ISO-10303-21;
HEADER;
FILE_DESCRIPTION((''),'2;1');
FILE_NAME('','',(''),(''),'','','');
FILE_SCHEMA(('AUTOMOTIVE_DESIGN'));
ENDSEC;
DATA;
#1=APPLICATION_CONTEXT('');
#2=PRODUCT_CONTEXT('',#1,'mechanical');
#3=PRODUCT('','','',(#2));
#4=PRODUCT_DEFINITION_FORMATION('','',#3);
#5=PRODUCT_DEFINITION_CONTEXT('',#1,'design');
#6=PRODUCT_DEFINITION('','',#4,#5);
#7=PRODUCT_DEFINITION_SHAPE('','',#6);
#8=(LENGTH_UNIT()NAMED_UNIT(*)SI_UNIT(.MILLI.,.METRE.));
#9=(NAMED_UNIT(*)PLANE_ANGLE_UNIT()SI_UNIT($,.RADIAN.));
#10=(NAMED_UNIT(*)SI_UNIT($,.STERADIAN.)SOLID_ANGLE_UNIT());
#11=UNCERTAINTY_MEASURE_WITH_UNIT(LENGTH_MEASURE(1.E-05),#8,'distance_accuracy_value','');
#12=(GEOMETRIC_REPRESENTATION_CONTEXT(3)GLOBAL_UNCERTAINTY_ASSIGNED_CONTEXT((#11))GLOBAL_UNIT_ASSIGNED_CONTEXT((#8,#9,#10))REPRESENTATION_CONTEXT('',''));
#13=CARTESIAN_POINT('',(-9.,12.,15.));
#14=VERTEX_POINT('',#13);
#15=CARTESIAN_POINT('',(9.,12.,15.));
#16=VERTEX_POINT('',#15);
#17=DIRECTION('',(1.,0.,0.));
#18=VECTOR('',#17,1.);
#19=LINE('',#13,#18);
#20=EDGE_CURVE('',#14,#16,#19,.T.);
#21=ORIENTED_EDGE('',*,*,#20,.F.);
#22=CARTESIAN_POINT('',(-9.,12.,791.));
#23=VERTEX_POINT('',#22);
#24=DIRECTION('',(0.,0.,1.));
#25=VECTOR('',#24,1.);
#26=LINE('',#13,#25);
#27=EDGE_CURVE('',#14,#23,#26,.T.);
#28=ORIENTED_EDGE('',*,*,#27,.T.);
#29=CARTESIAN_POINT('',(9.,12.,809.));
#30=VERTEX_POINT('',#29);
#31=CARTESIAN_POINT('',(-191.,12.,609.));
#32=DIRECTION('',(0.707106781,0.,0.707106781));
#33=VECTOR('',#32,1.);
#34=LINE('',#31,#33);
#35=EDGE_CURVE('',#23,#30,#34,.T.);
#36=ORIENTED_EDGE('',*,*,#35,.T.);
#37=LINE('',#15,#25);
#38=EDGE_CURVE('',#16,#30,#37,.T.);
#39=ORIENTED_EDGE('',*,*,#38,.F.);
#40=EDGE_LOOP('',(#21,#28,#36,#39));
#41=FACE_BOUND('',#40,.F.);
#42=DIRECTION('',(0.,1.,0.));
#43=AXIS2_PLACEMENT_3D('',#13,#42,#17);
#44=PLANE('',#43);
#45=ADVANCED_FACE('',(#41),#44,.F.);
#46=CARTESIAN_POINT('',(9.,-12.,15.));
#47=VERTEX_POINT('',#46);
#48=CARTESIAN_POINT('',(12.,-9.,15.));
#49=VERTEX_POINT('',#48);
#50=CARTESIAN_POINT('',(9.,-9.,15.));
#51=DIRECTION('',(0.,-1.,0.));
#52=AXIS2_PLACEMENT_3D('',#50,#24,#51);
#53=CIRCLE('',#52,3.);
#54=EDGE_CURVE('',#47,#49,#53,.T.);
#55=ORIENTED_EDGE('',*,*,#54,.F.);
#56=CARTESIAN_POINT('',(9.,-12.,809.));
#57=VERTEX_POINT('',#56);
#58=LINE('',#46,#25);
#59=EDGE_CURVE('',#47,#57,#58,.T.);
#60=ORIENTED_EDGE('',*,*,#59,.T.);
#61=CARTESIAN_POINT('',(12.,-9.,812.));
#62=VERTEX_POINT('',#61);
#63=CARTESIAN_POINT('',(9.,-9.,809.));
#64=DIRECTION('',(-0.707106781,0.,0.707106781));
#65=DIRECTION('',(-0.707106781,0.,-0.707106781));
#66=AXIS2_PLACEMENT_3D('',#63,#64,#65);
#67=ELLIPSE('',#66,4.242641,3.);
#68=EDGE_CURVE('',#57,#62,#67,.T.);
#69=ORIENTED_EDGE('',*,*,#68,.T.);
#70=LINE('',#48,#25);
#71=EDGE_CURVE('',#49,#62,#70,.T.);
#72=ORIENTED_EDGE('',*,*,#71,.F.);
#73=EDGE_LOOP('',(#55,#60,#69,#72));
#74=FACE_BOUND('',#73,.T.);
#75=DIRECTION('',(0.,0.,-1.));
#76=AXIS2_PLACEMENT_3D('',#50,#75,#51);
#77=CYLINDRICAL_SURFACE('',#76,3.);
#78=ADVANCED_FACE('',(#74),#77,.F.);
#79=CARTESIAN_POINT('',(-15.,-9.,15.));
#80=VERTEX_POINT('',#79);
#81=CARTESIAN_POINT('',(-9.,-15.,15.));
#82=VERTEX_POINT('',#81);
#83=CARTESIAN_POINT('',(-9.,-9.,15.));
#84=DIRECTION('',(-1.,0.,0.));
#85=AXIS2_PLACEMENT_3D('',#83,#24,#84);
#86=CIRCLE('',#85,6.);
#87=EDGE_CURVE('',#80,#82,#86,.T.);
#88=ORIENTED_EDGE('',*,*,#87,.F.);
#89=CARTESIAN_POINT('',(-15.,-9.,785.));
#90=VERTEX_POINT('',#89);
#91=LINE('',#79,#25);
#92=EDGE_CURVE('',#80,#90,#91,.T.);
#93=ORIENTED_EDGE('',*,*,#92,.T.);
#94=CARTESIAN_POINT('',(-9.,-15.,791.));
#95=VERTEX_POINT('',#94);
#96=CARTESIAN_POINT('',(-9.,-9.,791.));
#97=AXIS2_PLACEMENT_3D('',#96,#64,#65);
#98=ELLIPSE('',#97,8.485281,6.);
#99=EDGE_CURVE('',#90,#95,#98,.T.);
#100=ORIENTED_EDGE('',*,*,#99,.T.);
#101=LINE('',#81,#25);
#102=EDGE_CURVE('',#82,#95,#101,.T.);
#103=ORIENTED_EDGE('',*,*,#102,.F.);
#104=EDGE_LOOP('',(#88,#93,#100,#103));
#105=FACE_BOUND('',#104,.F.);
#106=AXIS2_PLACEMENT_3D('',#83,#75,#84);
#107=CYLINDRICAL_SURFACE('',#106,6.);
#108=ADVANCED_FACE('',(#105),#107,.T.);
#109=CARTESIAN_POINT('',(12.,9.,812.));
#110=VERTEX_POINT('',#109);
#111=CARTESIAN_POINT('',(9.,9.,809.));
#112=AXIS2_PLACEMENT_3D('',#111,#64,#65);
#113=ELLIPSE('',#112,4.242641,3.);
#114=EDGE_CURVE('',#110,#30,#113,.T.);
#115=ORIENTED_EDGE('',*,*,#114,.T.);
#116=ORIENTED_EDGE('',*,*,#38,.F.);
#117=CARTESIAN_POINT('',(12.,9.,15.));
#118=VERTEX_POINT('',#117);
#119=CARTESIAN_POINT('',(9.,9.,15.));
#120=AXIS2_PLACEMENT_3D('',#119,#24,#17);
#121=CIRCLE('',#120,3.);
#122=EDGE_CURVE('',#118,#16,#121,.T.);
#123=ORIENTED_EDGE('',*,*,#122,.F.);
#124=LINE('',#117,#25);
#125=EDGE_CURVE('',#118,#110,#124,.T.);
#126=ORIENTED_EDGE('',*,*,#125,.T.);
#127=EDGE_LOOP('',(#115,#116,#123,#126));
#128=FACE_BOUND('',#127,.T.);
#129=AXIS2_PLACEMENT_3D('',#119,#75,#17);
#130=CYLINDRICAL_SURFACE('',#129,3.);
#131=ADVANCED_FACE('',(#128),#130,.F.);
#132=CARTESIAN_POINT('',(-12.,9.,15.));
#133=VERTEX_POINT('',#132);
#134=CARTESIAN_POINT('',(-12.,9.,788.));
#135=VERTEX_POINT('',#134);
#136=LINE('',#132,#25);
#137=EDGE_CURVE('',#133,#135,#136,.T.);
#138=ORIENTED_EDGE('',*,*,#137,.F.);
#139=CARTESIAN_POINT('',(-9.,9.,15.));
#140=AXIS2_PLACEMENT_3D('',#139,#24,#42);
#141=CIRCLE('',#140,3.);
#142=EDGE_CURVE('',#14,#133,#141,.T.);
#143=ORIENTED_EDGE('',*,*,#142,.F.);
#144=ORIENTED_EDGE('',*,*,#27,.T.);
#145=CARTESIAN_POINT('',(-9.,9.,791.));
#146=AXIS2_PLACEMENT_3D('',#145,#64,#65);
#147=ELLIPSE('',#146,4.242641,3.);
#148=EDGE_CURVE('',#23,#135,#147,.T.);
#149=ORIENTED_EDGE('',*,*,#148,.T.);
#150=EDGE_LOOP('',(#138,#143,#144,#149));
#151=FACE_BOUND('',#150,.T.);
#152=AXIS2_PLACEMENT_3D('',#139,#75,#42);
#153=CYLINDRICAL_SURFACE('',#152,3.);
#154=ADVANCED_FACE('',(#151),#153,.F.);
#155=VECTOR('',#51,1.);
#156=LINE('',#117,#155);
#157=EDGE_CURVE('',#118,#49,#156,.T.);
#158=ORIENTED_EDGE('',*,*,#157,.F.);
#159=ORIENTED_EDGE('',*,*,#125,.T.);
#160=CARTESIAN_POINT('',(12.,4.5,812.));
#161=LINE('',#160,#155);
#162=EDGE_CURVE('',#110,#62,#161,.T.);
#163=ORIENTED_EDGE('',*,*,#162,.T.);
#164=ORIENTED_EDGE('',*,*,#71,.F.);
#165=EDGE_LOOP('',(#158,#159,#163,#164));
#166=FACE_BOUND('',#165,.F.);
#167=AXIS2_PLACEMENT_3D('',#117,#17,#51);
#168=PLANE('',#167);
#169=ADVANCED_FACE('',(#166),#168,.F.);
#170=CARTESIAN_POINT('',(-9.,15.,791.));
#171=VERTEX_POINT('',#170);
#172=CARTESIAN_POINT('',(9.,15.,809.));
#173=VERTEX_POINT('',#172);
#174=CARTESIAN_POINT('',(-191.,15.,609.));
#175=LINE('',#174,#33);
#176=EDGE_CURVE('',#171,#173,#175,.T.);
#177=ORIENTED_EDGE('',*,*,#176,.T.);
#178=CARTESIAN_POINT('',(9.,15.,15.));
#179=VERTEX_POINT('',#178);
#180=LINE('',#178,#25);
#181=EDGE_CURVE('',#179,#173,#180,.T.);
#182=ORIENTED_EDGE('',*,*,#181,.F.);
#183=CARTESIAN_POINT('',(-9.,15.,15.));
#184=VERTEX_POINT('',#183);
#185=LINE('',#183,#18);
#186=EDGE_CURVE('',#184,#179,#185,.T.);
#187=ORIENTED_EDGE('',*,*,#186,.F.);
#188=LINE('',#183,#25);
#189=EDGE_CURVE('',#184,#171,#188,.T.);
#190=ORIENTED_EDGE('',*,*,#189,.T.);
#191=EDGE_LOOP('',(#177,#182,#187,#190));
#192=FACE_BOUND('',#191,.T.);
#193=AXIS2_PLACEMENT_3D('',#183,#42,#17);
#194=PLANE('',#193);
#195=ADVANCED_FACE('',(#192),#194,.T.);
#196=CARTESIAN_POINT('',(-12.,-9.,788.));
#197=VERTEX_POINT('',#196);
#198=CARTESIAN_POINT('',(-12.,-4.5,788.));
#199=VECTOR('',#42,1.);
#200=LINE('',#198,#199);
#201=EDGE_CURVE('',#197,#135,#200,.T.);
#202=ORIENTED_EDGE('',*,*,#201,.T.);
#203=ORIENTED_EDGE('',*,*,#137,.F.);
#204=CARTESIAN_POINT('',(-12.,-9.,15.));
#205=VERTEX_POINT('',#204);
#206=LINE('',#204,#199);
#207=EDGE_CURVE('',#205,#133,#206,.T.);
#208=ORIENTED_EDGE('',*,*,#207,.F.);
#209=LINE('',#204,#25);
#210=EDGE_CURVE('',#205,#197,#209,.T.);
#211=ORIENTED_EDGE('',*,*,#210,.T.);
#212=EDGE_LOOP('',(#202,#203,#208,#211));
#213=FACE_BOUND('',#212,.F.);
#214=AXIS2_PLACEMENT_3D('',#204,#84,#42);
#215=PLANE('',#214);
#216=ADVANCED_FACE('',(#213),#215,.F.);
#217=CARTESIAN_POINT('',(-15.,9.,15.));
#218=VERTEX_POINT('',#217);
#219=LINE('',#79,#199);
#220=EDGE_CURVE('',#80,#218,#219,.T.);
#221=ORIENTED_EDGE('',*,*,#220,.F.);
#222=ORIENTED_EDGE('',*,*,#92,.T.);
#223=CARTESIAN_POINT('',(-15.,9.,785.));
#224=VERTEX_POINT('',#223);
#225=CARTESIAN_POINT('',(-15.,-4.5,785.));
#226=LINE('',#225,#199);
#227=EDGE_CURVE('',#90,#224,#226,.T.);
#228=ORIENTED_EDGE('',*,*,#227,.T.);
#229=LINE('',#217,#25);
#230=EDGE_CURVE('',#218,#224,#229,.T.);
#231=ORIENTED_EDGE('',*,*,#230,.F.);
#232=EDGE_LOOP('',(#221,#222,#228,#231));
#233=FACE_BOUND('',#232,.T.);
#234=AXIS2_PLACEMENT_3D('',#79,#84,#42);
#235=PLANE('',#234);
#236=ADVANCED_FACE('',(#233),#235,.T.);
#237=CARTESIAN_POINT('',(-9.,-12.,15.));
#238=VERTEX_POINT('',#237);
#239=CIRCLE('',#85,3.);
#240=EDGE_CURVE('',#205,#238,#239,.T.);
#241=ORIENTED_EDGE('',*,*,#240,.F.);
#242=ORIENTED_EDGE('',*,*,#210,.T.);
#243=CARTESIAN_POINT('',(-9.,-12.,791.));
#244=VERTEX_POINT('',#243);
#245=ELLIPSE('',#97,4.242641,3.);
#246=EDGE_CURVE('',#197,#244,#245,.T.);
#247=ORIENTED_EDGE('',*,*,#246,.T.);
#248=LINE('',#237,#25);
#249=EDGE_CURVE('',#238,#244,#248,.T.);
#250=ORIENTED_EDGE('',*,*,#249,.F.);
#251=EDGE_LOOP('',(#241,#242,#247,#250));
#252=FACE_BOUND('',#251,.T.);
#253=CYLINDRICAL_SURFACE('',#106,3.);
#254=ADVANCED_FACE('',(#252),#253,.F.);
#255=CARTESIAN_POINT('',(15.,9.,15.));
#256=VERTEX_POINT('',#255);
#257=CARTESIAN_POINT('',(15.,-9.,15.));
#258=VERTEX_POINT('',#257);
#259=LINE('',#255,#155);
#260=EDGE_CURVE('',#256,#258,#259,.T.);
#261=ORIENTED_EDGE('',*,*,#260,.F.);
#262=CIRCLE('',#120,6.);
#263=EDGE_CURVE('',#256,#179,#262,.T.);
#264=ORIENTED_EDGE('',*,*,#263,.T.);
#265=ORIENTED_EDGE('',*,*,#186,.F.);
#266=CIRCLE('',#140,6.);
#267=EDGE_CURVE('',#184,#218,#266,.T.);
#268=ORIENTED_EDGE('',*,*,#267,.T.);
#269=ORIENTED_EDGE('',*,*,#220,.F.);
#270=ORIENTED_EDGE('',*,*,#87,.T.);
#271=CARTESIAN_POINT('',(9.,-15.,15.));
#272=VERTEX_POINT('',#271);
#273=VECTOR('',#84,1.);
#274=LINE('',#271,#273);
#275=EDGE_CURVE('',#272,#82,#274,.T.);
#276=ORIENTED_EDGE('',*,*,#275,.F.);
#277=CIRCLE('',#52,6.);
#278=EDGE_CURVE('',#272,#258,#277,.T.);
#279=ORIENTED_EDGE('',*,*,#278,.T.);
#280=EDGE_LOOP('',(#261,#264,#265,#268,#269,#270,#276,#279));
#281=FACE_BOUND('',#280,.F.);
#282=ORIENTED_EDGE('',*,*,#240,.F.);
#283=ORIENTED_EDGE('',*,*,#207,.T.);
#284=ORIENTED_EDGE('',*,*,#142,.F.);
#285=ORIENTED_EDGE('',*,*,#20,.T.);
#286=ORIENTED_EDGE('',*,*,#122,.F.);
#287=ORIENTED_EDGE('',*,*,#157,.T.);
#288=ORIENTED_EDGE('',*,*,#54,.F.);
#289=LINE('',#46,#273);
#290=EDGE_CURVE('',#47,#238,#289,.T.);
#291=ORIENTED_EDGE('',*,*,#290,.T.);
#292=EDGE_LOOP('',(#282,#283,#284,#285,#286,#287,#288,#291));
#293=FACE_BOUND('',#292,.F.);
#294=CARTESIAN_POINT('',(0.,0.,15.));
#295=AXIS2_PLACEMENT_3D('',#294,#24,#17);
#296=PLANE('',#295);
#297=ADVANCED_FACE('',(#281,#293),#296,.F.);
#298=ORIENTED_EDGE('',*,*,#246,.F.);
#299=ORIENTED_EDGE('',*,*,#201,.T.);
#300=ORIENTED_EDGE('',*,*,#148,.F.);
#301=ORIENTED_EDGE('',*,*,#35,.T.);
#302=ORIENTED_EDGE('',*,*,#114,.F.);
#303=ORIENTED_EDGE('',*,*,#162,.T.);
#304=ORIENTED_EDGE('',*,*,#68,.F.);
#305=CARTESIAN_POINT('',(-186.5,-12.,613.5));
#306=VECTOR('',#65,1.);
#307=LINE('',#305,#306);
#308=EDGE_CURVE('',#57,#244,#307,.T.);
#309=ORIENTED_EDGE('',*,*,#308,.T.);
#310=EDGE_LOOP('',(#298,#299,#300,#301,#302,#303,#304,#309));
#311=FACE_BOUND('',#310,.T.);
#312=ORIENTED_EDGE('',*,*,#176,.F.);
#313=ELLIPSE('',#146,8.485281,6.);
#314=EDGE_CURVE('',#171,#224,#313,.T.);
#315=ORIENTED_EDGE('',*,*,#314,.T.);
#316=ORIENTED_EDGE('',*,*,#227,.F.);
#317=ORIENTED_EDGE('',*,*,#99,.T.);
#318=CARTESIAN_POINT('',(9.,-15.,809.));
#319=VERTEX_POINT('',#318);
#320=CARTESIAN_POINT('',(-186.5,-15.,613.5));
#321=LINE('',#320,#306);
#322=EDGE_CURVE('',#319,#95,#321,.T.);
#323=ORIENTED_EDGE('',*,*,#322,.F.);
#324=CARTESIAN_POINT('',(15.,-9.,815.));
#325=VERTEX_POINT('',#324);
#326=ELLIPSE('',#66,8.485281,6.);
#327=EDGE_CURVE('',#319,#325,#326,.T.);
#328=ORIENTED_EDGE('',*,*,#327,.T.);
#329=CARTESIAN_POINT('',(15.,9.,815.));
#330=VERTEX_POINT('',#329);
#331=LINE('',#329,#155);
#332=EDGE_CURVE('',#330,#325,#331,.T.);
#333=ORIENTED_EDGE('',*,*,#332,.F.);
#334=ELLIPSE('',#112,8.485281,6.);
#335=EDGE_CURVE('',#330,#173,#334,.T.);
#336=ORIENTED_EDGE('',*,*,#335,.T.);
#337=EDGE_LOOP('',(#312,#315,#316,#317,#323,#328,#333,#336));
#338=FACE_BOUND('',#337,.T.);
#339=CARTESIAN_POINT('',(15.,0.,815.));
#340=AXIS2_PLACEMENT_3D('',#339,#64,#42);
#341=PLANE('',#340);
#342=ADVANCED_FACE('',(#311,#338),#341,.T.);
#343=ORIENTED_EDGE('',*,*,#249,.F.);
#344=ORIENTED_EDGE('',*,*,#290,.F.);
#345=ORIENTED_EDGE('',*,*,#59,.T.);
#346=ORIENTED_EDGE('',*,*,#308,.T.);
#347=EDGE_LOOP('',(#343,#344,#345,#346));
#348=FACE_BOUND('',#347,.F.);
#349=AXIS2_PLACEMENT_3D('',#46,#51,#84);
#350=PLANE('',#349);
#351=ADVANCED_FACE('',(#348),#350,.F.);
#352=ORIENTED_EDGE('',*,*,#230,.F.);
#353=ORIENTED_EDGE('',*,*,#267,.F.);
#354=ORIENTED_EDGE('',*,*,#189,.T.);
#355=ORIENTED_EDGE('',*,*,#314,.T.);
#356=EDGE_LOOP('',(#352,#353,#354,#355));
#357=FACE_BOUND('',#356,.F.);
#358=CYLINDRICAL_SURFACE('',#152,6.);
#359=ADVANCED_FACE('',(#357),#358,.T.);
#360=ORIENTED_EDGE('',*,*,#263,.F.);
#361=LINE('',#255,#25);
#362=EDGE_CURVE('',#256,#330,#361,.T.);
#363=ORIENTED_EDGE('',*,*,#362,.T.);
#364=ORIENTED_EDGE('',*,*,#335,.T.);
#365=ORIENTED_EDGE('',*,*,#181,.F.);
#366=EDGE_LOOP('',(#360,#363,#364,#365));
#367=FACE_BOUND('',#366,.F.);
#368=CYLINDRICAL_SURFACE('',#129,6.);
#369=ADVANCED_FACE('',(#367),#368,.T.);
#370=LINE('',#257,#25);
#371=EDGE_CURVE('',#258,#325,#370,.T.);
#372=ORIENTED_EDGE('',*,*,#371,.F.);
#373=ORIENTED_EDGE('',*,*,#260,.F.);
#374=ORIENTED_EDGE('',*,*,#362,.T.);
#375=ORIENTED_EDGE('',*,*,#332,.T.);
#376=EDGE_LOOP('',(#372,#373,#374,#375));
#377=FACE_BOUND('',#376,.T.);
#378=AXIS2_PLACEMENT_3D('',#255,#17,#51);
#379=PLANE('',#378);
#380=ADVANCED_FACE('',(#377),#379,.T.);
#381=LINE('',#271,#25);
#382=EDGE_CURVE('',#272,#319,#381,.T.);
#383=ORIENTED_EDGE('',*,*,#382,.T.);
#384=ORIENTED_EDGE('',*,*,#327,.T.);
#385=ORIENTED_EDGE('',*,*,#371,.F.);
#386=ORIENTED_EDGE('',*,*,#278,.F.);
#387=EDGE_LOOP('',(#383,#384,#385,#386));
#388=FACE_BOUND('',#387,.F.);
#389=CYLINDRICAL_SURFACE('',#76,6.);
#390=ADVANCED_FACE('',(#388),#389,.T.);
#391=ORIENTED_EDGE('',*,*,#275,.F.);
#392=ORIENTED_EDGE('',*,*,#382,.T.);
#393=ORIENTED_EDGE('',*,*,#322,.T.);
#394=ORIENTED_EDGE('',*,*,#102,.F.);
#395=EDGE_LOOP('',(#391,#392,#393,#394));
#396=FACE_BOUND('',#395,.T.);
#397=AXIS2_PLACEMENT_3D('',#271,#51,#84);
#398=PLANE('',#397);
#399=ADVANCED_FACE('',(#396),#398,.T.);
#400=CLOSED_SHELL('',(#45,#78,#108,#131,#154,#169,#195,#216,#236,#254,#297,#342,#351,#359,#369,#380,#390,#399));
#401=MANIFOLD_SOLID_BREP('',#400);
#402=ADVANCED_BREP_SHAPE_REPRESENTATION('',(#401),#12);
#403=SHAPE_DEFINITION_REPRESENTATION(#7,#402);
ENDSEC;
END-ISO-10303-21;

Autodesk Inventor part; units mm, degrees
ref_plane "Start Plane" through (0, 0, 15) normal (0, 0, 1) x (1, 0, 0)
ref_plane "End Plane" through (0, 0, 815) normal (0, 0, 1) x (1, 0, 0)
sketch "Sketch" plane through (0, 0, 0) normal (0, 0, 1) x (1, 0, 0)
  line L0 (-15, -9) -> (-15, 9)
  line L1 (-9, 15) -> (9, 15)
  line L2 (15, 9) -> (15, -9)
  line L3 (9, -15) -> (-9, -15)
  arc A0 (-15, -9) -> (-9, -15) centre (-9, -9) ccw
  arc A1 (-9, 15) -> (-15, 9) centre (-9, 9) ccw
  arc A2 (15, 9) -> (9, 15) centre (9, 9) ccw
  arc A3 (9, -15) -> (15, -9) centre (9, -9) ccw
  arc A4 (-9, 12) -> (-12, 9) centre (-9, 9) ccw
  line L4 (-9, 12) -> (9, 12)
  arc A5 (12, 9) -> (9, 12) centre (9, 9) ccw
  line L5 (12, 9) -> (12, -9)
  arc A6 (9, -12) -> (12, -9) centre (9, -9) ccw
  line L6 (9, -12) -> (-9, -12)
  arc A7 (-12, -9) -> (-9, -12) centre (-9, -9) ccw
  line L7 (-12, -9) -> (-12, 9)
  line L8 (0, 22.7397) -> (0, -22.7397) construction
  line L9 (-22.7397, 0) -> (22.7397, 0) construction
  dimension "d7" = 6
  dimension "d10" = 30
  dimension "d11" = 30
  dimension "d12" = 3
  dimension "d15" = 15
  dimension "d16" = 15
extrude "Body" add sketch "Sketch" along normal up to surface (800 mm away) from surface at 15
sketch "Sketch3" plane through (0, 0, 0) normal (0, 0, 1) x (1, 0, 0)
  line L0 (0, 0) -> (10, 0)
ref_plane "Work Plane3" through (0, 0, 0) normal (0, -1, 0) x (1, 0, 0)
ref_plane "Work Plane4" through (15, 0, 815) normal (-0.7071, 0, 0.7071) x (0.7071, 0, 0.7071)
split "Split1" plane through (15, 0, 815) removes the side toward (-0.7071, 0, 0.7071)
ref_plane "Work Plane5" through (500, 9, 15) normal (0, 0, -1) x (-1, 0, 0)
split "Split2" plane through (500, 9, 15) removes the side toward (0, 0, -1)
sketch "Sketch4" plane through (0, 0, 0) normal (0, -1, 0) x (1, 0, 0)
  line L0 (-2, 15) -> (12, 15) projected
  line L1 (-2, 815) -> (12, 815) projected
  dimension "d18" = 800
equation "\"d7\" = G_IR"
equation "\"d10\" = G_H"
equation "\"d11\" = G_W"
equation "\"d12\" = G_T"
equation "\"d15\" = 0.5 * d10"
equation "\"d16\" = 0.5 * d11"
equation "\"d3\" = G_L"
equation "\"G_W\" = 30"
equation "\"G_H\" = 30"
equation "\"G_T\" = 3"
equation "\"G_IR\" = 6"
equation "\"G_L\" = d18"
equation "\"G_OFFSET_START\" = -15"
equation "\"G_OFFSET_END\" = 15"
equation "\"d13\" = -G_OFFSET_START"
equation "\"d14\" = G_OFFSET_END + B_L"
equation "\"B_L\" = 800"
properties part number "DIN EN 10219-2 - 30 x 30 x 3  - 800" material "Steel, Mild"
